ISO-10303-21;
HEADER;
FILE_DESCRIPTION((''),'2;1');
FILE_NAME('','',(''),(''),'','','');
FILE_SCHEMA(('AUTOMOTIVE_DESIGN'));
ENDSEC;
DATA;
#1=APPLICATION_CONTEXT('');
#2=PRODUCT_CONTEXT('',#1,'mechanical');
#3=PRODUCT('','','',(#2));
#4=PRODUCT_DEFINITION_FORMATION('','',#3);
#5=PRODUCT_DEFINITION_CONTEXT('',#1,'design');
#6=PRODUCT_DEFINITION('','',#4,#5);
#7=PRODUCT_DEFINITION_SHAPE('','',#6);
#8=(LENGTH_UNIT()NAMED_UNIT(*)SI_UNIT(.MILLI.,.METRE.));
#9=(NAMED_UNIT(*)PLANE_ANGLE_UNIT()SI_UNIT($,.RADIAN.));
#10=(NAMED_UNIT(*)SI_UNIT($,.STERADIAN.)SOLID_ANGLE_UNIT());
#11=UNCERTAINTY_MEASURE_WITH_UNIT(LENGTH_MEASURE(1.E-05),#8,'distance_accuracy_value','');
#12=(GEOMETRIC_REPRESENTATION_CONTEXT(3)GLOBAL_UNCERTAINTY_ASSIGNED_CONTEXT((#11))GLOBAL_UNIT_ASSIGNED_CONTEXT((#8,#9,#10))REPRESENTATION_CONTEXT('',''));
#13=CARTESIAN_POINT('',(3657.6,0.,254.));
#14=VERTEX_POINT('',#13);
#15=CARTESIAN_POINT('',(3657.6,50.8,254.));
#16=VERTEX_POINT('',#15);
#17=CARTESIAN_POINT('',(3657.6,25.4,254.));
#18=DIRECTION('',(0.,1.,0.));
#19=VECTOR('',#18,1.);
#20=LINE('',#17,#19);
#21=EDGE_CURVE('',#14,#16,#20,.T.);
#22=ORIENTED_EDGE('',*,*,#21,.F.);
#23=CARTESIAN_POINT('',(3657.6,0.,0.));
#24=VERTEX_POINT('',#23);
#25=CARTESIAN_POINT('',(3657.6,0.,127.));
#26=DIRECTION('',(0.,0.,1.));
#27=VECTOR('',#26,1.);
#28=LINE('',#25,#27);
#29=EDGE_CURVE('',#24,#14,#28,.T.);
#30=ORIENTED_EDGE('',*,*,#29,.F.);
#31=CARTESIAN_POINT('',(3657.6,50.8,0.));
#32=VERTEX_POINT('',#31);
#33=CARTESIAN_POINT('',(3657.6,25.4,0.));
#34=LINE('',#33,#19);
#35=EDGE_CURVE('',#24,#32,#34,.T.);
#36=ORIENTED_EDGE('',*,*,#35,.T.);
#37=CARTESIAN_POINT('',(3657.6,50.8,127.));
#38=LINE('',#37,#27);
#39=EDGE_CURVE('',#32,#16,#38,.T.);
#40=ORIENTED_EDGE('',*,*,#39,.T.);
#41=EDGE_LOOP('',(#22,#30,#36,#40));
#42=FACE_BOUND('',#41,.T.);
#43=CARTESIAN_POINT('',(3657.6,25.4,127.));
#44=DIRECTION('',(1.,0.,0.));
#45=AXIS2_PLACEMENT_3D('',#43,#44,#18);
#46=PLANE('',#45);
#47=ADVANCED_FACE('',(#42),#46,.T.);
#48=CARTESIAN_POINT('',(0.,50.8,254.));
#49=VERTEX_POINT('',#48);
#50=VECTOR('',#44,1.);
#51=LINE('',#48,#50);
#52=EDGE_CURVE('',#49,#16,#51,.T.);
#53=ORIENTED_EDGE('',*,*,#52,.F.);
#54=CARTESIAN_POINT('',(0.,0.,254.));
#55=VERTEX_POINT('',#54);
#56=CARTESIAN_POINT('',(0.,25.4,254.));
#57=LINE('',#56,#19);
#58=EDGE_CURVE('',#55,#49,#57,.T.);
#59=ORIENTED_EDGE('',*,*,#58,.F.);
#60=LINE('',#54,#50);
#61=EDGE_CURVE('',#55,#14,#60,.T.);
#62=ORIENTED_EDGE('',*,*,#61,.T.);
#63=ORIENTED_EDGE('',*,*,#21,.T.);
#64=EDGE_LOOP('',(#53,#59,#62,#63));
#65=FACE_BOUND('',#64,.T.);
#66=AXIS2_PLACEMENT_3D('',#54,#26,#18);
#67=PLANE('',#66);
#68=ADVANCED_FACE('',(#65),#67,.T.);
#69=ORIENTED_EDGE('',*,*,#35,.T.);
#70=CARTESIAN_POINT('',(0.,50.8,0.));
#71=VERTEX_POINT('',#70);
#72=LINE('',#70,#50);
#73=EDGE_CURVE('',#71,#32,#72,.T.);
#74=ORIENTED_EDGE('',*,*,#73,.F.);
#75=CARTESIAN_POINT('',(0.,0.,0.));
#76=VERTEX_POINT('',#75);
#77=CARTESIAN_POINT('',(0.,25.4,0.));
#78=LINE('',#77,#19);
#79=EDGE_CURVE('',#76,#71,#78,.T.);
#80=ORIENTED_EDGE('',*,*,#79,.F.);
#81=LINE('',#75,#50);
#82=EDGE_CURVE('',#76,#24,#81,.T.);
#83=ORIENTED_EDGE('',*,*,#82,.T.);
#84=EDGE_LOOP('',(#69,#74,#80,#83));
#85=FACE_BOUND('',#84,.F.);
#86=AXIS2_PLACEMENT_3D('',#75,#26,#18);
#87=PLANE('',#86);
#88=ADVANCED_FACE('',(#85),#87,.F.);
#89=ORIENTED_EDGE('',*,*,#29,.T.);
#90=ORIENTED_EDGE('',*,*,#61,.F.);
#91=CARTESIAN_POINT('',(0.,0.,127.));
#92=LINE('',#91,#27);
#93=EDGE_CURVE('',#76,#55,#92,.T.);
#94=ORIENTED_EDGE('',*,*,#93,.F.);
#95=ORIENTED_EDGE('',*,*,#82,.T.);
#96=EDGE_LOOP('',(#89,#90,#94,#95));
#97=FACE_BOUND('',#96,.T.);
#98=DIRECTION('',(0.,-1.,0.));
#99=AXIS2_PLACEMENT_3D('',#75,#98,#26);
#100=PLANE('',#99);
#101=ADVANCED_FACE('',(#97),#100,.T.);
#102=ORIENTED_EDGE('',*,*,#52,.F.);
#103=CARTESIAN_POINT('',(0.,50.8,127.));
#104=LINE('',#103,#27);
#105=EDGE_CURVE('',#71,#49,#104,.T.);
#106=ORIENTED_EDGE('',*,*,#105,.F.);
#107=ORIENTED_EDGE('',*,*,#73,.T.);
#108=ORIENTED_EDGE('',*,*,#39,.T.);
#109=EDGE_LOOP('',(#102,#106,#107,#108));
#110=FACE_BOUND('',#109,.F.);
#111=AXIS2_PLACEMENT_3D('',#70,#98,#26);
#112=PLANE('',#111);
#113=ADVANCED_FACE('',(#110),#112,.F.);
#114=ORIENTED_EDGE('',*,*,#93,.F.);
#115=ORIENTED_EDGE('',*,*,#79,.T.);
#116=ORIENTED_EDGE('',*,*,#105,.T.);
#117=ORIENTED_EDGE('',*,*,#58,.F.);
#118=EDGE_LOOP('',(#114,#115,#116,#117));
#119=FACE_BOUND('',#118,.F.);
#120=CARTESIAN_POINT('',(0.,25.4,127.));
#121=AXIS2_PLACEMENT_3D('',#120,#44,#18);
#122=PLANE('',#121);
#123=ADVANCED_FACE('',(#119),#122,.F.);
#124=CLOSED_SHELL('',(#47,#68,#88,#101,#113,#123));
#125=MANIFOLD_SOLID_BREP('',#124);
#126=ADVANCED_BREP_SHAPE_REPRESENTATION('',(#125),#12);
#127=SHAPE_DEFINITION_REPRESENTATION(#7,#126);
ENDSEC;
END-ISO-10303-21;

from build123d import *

# Parameters (mm, degrees)
SKETCH_W  = 50.8
SKETCH_H  = 254
PAD_DEPTH = 3657.6


with BuildPart() as part:
    # Sketch → Pad (new body)
    with BuildSketch(Plane.YZ):
        with Locations((25.4, 127)):
            Rectangle(SKETCH_W, SKETCH_H)
    extrude(amount=PAD_DEPTH)


solid = part.part
